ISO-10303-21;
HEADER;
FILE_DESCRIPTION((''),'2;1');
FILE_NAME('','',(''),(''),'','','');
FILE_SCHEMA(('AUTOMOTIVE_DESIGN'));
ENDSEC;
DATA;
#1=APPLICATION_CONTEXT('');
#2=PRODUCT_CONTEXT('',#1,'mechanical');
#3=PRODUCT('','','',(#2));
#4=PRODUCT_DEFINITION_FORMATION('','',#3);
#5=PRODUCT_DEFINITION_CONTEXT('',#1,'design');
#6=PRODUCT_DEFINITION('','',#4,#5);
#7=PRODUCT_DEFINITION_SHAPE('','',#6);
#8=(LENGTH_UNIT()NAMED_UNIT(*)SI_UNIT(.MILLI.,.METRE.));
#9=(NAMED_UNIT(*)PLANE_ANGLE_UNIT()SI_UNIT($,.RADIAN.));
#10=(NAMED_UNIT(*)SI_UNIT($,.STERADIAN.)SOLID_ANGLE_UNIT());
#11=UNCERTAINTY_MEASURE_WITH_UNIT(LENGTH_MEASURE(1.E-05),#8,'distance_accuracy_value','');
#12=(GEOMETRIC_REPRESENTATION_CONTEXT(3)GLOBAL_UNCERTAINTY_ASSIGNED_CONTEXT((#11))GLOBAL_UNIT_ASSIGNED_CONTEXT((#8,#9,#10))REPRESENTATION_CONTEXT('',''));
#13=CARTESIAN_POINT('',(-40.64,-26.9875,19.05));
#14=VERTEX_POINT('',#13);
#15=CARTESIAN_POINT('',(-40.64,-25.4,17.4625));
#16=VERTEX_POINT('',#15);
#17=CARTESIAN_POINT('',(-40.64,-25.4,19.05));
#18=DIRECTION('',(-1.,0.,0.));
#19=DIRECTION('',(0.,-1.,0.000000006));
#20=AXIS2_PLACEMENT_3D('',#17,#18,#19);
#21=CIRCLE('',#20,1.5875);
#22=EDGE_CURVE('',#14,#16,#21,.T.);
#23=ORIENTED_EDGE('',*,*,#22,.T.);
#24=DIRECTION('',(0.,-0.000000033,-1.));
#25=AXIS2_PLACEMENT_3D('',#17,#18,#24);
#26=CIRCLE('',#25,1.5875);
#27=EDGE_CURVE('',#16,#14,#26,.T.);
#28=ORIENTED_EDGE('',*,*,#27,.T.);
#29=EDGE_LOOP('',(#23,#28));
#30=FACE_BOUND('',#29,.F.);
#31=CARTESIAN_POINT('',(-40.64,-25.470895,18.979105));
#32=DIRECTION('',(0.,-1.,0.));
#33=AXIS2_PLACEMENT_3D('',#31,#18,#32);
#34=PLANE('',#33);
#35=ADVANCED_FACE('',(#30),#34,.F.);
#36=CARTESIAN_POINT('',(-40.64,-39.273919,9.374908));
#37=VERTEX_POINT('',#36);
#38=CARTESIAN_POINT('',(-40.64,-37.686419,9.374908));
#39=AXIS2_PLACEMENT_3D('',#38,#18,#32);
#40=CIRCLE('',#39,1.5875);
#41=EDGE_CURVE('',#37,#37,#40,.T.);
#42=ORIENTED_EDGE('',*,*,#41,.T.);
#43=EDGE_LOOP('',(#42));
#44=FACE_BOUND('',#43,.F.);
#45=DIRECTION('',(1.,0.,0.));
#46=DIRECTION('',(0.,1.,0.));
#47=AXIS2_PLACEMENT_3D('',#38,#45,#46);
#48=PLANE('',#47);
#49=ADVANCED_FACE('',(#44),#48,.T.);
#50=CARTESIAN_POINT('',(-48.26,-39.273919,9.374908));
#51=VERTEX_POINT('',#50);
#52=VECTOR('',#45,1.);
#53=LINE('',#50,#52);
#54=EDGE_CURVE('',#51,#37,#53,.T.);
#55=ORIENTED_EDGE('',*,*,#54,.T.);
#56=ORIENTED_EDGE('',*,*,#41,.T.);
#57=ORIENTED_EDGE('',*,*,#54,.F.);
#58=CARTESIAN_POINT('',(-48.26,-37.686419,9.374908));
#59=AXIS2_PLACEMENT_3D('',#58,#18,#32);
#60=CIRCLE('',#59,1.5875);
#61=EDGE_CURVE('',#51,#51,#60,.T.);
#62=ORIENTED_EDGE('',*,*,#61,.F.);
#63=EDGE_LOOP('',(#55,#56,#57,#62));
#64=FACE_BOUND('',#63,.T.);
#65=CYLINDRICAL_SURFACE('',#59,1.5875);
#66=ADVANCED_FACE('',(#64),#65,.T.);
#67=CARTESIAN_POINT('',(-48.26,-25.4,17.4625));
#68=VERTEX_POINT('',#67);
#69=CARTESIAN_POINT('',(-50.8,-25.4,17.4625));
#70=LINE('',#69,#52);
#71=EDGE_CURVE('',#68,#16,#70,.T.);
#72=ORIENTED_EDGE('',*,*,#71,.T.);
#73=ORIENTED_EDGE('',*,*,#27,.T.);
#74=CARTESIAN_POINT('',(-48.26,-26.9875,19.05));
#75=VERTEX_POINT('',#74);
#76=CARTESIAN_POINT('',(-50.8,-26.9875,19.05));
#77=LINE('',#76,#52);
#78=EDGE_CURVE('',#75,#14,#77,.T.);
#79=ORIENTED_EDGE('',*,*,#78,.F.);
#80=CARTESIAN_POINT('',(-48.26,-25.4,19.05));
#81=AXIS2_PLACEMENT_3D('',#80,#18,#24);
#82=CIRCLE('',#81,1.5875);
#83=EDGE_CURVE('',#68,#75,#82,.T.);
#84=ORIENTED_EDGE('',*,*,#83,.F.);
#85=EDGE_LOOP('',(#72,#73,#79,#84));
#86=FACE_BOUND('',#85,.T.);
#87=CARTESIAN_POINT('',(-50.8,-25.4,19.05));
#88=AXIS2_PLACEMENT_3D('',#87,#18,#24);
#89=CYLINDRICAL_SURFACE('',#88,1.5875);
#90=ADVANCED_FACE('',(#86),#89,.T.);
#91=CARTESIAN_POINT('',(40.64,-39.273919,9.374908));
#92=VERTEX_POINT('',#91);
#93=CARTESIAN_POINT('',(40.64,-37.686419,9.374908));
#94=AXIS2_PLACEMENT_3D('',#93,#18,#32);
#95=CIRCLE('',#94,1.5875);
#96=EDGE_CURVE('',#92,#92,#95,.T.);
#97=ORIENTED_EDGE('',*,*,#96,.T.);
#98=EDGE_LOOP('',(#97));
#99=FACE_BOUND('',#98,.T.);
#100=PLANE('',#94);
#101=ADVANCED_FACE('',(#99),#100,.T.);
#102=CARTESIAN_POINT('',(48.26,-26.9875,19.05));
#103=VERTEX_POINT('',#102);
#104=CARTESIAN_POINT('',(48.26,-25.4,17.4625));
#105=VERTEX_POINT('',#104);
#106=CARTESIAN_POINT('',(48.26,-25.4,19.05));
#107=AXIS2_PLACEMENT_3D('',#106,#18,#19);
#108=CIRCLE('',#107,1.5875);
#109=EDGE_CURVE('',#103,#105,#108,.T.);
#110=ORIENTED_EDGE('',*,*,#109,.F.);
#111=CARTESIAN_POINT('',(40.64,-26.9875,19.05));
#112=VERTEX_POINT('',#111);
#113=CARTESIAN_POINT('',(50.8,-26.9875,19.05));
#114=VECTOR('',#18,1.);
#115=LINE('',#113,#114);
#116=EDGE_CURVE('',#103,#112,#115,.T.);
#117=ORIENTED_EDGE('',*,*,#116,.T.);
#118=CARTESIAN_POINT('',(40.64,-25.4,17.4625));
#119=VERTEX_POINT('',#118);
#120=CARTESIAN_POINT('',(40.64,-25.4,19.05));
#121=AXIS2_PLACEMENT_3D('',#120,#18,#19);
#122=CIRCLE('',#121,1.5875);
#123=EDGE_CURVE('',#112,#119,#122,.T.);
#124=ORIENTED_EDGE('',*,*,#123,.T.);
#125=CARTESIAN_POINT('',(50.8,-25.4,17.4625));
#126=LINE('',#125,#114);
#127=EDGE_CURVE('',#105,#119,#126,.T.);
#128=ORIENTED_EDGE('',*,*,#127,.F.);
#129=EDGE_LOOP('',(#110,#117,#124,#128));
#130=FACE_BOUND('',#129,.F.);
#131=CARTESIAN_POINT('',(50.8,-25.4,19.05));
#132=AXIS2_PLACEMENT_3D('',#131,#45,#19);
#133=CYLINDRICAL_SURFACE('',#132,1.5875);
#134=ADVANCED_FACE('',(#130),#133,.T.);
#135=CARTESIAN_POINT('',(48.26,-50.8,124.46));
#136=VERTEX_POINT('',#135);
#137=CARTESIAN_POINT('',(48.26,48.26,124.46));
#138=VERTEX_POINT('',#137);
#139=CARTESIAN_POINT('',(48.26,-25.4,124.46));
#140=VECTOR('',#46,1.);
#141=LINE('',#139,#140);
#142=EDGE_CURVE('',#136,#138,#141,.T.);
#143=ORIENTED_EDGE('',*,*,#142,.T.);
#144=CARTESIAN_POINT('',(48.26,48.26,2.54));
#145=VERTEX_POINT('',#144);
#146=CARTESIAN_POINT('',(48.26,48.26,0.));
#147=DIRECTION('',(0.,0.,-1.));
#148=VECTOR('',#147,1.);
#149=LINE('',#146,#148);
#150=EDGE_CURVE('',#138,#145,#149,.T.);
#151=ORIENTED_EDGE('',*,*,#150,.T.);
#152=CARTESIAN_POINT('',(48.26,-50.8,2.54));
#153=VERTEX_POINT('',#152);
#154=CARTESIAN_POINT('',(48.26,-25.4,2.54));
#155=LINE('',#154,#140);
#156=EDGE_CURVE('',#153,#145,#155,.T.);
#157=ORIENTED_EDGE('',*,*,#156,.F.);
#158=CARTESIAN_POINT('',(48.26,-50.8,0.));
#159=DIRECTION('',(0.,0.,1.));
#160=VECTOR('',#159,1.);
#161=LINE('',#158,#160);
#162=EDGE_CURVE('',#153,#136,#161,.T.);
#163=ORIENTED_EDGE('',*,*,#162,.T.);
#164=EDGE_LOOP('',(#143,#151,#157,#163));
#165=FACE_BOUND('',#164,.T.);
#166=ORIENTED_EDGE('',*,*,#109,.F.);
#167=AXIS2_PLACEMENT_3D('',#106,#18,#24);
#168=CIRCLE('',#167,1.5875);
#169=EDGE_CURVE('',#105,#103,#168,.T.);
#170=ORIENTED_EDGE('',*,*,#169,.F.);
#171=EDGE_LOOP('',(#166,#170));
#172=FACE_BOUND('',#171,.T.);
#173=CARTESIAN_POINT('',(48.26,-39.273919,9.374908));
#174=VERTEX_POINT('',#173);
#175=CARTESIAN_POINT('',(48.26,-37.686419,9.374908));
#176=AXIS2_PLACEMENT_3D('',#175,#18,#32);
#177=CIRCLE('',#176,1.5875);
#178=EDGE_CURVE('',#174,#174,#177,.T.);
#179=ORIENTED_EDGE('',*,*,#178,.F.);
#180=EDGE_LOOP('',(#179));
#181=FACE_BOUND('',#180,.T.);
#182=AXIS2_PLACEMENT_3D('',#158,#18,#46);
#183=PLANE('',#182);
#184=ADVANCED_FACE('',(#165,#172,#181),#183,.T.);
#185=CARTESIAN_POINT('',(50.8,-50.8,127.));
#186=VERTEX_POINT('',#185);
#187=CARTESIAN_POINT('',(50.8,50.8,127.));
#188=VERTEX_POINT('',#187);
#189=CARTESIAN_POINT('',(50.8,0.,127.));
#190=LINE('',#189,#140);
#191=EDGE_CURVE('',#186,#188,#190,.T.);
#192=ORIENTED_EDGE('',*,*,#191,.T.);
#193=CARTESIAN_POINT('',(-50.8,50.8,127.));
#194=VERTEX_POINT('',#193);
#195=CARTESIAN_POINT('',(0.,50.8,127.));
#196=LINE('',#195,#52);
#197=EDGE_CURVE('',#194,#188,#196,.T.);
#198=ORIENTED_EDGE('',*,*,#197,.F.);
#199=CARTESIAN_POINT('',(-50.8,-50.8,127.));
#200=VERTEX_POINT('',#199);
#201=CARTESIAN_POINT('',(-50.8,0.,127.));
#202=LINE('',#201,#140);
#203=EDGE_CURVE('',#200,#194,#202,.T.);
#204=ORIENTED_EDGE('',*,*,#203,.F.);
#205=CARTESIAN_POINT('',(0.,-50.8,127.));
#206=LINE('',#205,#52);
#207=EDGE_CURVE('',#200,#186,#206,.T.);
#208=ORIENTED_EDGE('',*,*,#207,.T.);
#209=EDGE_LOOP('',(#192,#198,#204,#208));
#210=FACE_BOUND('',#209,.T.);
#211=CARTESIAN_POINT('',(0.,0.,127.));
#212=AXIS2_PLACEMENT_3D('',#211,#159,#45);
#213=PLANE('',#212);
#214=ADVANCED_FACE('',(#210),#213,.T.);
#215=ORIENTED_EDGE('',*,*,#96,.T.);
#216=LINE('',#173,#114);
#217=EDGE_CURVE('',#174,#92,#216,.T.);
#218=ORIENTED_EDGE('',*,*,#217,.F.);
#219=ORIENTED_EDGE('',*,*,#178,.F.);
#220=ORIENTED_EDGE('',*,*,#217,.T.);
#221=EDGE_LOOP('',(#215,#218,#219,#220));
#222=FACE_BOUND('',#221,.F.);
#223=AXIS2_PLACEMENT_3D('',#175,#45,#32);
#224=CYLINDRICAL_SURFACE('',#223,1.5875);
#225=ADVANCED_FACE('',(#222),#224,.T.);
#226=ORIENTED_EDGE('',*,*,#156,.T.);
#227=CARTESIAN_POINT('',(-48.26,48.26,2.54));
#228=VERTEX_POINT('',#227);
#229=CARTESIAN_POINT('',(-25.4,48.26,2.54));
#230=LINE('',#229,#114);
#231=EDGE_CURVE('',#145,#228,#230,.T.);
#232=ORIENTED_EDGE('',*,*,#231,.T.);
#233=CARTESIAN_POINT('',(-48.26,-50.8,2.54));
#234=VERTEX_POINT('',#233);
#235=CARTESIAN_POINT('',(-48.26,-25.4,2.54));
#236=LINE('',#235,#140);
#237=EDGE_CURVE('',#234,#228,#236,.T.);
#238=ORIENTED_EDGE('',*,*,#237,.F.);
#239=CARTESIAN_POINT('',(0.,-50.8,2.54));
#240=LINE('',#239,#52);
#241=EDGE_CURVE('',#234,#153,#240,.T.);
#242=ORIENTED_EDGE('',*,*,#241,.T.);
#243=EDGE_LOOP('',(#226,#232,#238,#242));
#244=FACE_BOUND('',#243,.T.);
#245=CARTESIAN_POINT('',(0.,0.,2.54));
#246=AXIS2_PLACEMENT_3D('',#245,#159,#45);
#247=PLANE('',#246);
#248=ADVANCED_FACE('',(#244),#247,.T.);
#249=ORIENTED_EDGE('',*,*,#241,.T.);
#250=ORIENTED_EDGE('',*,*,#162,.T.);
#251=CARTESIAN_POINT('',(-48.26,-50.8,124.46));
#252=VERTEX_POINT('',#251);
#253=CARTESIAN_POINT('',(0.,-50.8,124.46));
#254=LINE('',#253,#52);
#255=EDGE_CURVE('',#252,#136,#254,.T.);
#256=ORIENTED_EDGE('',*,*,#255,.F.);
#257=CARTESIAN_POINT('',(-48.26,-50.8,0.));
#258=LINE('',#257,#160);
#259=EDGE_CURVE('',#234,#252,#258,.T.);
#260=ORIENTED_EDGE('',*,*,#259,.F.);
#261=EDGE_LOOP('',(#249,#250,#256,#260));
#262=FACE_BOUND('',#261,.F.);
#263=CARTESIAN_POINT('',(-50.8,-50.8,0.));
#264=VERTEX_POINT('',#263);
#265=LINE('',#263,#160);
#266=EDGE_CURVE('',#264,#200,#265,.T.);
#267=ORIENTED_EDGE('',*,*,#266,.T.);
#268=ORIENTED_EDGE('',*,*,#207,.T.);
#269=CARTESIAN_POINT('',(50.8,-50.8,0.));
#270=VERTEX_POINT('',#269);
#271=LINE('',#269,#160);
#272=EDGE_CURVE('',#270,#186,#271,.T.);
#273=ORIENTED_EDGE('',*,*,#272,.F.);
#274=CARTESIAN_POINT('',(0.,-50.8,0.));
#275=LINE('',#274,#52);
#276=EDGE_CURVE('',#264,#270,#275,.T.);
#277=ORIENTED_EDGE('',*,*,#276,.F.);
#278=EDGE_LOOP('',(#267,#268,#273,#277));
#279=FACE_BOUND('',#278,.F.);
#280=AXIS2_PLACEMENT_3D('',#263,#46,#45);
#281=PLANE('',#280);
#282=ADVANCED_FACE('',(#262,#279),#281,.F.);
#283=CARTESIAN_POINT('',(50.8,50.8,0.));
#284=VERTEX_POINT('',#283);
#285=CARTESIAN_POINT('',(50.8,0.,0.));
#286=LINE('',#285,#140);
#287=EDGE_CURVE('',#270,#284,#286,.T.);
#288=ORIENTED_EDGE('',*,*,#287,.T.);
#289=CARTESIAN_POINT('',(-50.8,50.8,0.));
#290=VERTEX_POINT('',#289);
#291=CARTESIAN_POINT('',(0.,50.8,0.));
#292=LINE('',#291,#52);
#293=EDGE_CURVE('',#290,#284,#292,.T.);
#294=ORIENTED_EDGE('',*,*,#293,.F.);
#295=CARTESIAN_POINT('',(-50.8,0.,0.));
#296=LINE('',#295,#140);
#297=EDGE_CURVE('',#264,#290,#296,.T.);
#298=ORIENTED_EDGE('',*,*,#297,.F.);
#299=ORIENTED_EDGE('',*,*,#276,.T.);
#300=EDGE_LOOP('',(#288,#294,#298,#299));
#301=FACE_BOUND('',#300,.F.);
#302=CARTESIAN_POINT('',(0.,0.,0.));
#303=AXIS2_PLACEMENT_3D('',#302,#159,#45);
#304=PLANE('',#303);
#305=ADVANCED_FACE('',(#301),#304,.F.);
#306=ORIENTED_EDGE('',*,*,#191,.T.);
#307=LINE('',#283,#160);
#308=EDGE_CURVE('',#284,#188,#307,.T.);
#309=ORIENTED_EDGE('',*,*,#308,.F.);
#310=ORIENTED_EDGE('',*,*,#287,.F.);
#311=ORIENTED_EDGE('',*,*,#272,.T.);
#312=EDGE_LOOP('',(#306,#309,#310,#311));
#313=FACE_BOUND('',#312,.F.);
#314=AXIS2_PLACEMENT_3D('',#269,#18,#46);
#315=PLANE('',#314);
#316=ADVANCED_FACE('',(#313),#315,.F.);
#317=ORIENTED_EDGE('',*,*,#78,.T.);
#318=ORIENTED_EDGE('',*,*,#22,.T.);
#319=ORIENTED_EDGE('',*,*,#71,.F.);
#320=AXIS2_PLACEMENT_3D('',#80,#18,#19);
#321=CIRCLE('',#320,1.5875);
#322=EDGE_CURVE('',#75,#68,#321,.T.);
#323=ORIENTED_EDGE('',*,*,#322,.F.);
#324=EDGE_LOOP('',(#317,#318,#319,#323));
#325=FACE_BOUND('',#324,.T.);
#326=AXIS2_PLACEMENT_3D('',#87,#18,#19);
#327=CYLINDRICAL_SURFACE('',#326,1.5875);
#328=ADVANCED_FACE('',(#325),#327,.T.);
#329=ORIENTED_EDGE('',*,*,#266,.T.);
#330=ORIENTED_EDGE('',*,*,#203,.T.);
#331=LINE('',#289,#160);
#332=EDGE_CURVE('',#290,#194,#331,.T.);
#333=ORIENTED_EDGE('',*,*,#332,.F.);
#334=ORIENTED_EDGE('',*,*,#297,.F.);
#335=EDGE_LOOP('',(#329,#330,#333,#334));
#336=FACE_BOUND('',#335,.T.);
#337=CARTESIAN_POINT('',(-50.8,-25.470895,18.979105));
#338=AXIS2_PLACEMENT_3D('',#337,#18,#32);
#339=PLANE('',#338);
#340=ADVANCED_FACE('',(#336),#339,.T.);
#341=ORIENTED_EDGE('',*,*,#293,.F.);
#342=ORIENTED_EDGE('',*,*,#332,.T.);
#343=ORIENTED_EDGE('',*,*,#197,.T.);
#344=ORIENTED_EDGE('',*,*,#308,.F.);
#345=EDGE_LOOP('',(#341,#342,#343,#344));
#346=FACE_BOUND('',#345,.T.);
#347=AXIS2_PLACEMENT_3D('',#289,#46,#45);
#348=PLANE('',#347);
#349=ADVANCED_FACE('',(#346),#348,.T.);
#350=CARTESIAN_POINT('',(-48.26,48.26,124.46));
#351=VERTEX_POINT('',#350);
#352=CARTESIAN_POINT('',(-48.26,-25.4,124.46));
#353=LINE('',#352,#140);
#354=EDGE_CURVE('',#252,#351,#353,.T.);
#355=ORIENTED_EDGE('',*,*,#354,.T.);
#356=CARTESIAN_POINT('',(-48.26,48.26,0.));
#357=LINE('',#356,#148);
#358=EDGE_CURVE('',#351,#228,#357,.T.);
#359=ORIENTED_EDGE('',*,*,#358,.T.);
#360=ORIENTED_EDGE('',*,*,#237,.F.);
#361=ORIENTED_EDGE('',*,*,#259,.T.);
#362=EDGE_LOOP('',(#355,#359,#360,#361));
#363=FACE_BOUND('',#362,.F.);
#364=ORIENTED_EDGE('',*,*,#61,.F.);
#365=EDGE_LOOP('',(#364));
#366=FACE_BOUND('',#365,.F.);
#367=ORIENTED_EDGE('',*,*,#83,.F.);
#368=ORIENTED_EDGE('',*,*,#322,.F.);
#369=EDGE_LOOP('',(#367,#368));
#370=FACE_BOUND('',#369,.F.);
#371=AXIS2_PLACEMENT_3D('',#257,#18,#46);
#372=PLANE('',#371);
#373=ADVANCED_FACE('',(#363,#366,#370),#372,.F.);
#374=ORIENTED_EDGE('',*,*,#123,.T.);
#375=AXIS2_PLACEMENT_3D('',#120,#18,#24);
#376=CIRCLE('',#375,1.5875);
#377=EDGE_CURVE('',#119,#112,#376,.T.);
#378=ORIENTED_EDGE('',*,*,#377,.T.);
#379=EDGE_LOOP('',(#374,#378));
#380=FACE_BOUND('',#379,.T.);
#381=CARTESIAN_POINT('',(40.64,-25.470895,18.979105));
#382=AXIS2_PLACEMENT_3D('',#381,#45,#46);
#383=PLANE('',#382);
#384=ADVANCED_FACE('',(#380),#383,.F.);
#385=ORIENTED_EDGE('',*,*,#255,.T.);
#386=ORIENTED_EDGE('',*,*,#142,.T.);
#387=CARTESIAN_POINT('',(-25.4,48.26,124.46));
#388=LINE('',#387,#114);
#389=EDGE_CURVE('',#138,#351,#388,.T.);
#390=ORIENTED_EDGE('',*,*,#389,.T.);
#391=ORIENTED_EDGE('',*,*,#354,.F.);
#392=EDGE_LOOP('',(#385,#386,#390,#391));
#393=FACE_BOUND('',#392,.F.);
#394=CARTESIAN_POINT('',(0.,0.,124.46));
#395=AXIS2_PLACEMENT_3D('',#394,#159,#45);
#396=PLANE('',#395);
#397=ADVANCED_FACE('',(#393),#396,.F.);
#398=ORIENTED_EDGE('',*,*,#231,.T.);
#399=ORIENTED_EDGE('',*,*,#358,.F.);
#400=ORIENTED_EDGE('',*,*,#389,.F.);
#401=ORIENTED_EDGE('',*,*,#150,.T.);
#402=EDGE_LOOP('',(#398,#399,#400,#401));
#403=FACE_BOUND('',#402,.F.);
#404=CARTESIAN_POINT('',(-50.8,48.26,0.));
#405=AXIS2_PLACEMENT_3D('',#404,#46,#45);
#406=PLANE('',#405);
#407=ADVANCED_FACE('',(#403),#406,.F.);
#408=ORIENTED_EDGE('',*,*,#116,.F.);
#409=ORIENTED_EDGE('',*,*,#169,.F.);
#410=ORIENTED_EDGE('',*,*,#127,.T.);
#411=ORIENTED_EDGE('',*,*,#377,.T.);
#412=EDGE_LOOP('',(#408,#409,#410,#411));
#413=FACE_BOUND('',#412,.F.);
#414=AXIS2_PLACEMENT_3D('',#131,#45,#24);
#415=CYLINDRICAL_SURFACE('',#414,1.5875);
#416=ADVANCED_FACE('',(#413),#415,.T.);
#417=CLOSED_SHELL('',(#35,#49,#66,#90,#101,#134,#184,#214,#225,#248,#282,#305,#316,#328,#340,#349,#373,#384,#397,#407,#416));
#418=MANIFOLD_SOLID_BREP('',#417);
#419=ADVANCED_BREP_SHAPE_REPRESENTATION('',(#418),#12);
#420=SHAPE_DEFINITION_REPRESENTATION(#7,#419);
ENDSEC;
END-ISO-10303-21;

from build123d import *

# Parameters (mm, degrees)
F0_W      = 101.6
F0_H      = 101.6
F1_DEPTH  = 127
F2_T      = -2.54
F4_R      = 1.5875
F5_DEPTH  = 7.62
F11_DEPTH = 10.16


with BuildPart() as f1:
    # F0 (on Top) → F1 (new body)
    with BuildSketch(Plane.XY):
        Rectangle(F0_W, F0_H)
    extrude(amount=F1_DEPTH)

    # F2
    f2_openings = [f1.faces().sort_by_distance(p)[0] for p in [
        (0, -50.8, 63.5),
    ]]
    offset(amount=F2_T, openings=f2_openings)

    # F4 (on face) → F5 (join)
    with BuildSketch(Plane(origin=(48.26, 0, 0), x_dir=(0, -1, 0), z_dir=(-1, 0, 0))):
        with Locations((37.686419, 9.374908)):
            Circle(F4_R)
    extrude(amount=F5_DEPTH)

    # F7: F1 across plane


with BuildPart() as f1_1:
    add(f1.part)
    add(f1.part.mirror(Plane.YZ))

    # F8: F1 across plane


with BuildPart() as f1_2:
    add(f1_1.part)
    add(f1_1.part.mirror(Plane.YZ))

    # F10 (on face) → F11 (join)
    with BuildSketch(Plane(origin=(-50.8, 0, 0), x_dir=(0, -1, 0), z_dir=(-1, 0, 0))):
        with BuildLine():
            ThreePointArc((25.4, 17.4625), (26.522532, 17.927468), (26.9875, 19.05))
            ThreePointArc((26.9875, 19.05), (24.277468, 20.172532), (25.4, 17.4625))
        make_face()
    extrude(amount=-F11_DEPTH)

    # F12: F1 across plane


with BuildPart() as f1_3:
    add(f1_2.part)
    add(f1_2.part.mirror(Plane.YZ))


solid = f1_3.part
